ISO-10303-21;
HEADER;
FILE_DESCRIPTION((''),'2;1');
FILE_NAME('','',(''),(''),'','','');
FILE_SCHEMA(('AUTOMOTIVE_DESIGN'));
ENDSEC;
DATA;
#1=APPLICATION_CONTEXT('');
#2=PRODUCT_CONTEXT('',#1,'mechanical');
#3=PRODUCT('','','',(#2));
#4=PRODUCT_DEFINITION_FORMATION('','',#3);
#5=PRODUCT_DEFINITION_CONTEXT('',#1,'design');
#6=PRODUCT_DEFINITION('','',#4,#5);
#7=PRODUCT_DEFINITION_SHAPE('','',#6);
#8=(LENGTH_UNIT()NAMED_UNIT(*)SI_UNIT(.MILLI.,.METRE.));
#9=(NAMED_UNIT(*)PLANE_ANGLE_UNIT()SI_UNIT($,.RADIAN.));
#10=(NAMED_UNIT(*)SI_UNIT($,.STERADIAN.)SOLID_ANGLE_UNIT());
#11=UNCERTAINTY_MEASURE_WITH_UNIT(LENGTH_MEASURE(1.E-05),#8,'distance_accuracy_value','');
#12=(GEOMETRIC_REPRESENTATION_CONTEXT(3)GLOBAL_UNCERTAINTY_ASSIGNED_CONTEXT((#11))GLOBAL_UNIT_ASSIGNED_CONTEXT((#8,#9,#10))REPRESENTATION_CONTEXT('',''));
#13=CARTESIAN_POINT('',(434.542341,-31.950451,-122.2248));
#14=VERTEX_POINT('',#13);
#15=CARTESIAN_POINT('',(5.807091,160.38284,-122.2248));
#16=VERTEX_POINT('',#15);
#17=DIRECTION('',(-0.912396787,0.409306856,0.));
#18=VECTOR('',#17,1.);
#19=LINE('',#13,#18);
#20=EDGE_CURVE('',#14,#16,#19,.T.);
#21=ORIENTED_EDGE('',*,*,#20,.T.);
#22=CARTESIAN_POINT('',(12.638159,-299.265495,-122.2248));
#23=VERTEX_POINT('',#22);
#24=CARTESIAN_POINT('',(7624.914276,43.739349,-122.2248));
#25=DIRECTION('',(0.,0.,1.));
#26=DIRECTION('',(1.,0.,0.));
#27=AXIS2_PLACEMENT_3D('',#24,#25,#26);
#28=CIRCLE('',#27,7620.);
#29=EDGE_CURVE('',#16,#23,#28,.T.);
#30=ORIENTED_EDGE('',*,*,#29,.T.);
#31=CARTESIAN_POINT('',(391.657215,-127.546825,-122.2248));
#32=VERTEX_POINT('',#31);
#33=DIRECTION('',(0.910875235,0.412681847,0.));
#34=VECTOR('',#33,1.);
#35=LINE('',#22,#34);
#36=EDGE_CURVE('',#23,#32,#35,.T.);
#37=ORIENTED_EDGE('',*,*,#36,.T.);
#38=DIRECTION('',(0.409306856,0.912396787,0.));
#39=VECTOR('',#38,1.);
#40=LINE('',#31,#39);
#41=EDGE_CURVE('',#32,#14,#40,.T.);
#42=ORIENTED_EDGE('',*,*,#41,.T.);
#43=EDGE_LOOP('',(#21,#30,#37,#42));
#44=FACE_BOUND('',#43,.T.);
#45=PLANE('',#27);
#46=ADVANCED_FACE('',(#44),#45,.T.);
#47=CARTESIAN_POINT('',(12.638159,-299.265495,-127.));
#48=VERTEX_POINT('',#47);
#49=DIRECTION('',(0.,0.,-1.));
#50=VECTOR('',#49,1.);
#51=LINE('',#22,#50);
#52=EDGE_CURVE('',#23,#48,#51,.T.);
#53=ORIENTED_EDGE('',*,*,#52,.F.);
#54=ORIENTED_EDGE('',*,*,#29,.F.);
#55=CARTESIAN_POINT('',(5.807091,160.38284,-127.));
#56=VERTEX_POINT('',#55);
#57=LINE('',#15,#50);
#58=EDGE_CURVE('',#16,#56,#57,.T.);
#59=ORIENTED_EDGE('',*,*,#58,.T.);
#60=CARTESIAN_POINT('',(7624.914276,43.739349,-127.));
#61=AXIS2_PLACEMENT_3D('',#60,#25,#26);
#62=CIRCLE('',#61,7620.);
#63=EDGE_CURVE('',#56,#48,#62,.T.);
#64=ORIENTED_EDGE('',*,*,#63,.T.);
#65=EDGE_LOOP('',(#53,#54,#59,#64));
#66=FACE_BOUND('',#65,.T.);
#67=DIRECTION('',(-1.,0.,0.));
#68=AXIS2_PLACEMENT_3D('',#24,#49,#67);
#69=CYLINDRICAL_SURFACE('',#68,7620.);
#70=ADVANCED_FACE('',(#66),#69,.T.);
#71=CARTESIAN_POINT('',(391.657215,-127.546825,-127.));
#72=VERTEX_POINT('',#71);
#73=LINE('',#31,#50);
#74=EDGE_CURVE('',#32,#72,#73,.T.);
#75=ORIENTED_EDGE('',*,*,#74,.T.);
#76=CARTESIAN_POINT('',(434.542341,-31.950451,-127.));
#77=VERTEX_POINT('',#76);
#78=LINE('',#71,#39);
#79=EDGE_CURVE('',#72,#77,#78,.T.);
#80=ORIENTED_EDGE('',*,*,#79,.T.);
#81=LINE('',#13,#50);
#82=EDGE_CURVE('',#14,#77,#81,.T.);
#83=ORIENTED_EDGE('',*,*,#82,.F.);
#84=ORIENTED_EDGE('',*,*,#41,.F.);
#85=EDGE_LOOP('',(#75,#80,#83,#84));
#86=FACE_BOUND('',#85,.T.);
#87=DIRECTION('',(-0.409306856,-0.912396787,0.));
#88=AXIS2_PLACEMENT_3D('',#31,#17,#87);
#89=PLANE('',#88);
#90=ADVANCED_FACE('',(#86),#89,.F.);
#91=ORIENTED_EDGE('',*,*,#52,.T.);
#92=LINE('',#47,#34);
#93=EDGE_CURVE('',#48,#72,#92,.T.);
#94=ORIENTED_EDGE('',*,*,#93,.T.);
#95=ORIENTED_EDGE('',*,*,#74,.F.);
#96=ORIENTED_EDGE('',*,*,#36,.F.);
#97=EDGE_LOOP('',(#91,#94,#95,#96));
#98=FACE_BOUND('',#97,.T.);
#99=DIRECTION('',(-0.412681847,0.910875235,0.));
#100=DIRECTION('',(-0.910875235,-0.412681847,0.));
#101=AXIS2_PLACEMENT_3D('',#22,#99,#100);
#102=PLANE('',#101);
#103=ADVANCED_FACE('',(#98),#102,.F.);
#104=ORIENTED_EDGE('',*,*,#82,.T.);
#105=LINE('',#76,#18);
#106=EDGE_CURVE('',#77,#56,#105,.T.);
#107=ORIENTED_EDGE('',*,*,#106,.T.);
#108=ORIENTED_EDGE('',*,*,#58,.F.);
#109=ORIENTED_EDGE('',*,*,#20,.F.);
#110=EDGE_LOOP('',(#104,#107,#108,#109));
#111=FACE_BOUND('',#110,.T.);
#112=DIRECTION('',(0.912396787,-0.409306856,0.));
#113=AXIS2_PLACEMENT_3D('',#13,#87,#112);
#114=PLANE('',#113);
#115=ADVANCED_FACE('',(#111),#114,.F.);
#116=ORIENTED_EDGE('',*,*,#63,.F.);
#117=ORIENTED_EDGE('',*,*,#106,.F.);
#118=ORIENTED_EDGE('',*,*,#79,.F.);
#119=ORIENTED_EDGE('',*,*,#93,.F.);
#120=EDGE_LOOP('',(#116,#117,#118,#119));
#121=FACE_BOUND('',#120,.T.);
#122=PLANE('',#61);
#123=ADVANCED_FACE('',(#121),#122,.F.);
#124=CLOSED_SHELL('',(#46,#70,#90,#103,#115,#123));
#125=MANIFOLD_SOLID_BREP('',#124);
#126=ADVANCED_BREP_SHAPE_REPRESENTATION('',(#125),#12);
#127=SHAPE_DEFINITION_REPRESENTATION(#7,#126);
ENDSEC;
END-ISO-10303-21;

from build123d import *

# Parameters (mm, degrees)
BASE_EXTRUDE_DEPTH = 4.7752


with BuildPart() as part:
    # Sketch2 → Base-Extrude (new body)
    with BuildSketch(Plane.XY.offset(-127)):
        with BuildLine():
            Line((12.638158872, -299.265495339), (391.657215251, -127.546824726))
            Line((391.657215251, -127.546824726), (434.542341063, -31.950451317))
            Line((434.542341063, -31.950451317), (5.807090621, 160.382840206))
            ThreePointArc((5.807090621, 160.382840206), (5.755629858, -69.492852345), (12.638158872, -299.265495339))
        make_face()
    extrude(amount=BASE_EXTRUDE_DEPTH)


solid = part.part
